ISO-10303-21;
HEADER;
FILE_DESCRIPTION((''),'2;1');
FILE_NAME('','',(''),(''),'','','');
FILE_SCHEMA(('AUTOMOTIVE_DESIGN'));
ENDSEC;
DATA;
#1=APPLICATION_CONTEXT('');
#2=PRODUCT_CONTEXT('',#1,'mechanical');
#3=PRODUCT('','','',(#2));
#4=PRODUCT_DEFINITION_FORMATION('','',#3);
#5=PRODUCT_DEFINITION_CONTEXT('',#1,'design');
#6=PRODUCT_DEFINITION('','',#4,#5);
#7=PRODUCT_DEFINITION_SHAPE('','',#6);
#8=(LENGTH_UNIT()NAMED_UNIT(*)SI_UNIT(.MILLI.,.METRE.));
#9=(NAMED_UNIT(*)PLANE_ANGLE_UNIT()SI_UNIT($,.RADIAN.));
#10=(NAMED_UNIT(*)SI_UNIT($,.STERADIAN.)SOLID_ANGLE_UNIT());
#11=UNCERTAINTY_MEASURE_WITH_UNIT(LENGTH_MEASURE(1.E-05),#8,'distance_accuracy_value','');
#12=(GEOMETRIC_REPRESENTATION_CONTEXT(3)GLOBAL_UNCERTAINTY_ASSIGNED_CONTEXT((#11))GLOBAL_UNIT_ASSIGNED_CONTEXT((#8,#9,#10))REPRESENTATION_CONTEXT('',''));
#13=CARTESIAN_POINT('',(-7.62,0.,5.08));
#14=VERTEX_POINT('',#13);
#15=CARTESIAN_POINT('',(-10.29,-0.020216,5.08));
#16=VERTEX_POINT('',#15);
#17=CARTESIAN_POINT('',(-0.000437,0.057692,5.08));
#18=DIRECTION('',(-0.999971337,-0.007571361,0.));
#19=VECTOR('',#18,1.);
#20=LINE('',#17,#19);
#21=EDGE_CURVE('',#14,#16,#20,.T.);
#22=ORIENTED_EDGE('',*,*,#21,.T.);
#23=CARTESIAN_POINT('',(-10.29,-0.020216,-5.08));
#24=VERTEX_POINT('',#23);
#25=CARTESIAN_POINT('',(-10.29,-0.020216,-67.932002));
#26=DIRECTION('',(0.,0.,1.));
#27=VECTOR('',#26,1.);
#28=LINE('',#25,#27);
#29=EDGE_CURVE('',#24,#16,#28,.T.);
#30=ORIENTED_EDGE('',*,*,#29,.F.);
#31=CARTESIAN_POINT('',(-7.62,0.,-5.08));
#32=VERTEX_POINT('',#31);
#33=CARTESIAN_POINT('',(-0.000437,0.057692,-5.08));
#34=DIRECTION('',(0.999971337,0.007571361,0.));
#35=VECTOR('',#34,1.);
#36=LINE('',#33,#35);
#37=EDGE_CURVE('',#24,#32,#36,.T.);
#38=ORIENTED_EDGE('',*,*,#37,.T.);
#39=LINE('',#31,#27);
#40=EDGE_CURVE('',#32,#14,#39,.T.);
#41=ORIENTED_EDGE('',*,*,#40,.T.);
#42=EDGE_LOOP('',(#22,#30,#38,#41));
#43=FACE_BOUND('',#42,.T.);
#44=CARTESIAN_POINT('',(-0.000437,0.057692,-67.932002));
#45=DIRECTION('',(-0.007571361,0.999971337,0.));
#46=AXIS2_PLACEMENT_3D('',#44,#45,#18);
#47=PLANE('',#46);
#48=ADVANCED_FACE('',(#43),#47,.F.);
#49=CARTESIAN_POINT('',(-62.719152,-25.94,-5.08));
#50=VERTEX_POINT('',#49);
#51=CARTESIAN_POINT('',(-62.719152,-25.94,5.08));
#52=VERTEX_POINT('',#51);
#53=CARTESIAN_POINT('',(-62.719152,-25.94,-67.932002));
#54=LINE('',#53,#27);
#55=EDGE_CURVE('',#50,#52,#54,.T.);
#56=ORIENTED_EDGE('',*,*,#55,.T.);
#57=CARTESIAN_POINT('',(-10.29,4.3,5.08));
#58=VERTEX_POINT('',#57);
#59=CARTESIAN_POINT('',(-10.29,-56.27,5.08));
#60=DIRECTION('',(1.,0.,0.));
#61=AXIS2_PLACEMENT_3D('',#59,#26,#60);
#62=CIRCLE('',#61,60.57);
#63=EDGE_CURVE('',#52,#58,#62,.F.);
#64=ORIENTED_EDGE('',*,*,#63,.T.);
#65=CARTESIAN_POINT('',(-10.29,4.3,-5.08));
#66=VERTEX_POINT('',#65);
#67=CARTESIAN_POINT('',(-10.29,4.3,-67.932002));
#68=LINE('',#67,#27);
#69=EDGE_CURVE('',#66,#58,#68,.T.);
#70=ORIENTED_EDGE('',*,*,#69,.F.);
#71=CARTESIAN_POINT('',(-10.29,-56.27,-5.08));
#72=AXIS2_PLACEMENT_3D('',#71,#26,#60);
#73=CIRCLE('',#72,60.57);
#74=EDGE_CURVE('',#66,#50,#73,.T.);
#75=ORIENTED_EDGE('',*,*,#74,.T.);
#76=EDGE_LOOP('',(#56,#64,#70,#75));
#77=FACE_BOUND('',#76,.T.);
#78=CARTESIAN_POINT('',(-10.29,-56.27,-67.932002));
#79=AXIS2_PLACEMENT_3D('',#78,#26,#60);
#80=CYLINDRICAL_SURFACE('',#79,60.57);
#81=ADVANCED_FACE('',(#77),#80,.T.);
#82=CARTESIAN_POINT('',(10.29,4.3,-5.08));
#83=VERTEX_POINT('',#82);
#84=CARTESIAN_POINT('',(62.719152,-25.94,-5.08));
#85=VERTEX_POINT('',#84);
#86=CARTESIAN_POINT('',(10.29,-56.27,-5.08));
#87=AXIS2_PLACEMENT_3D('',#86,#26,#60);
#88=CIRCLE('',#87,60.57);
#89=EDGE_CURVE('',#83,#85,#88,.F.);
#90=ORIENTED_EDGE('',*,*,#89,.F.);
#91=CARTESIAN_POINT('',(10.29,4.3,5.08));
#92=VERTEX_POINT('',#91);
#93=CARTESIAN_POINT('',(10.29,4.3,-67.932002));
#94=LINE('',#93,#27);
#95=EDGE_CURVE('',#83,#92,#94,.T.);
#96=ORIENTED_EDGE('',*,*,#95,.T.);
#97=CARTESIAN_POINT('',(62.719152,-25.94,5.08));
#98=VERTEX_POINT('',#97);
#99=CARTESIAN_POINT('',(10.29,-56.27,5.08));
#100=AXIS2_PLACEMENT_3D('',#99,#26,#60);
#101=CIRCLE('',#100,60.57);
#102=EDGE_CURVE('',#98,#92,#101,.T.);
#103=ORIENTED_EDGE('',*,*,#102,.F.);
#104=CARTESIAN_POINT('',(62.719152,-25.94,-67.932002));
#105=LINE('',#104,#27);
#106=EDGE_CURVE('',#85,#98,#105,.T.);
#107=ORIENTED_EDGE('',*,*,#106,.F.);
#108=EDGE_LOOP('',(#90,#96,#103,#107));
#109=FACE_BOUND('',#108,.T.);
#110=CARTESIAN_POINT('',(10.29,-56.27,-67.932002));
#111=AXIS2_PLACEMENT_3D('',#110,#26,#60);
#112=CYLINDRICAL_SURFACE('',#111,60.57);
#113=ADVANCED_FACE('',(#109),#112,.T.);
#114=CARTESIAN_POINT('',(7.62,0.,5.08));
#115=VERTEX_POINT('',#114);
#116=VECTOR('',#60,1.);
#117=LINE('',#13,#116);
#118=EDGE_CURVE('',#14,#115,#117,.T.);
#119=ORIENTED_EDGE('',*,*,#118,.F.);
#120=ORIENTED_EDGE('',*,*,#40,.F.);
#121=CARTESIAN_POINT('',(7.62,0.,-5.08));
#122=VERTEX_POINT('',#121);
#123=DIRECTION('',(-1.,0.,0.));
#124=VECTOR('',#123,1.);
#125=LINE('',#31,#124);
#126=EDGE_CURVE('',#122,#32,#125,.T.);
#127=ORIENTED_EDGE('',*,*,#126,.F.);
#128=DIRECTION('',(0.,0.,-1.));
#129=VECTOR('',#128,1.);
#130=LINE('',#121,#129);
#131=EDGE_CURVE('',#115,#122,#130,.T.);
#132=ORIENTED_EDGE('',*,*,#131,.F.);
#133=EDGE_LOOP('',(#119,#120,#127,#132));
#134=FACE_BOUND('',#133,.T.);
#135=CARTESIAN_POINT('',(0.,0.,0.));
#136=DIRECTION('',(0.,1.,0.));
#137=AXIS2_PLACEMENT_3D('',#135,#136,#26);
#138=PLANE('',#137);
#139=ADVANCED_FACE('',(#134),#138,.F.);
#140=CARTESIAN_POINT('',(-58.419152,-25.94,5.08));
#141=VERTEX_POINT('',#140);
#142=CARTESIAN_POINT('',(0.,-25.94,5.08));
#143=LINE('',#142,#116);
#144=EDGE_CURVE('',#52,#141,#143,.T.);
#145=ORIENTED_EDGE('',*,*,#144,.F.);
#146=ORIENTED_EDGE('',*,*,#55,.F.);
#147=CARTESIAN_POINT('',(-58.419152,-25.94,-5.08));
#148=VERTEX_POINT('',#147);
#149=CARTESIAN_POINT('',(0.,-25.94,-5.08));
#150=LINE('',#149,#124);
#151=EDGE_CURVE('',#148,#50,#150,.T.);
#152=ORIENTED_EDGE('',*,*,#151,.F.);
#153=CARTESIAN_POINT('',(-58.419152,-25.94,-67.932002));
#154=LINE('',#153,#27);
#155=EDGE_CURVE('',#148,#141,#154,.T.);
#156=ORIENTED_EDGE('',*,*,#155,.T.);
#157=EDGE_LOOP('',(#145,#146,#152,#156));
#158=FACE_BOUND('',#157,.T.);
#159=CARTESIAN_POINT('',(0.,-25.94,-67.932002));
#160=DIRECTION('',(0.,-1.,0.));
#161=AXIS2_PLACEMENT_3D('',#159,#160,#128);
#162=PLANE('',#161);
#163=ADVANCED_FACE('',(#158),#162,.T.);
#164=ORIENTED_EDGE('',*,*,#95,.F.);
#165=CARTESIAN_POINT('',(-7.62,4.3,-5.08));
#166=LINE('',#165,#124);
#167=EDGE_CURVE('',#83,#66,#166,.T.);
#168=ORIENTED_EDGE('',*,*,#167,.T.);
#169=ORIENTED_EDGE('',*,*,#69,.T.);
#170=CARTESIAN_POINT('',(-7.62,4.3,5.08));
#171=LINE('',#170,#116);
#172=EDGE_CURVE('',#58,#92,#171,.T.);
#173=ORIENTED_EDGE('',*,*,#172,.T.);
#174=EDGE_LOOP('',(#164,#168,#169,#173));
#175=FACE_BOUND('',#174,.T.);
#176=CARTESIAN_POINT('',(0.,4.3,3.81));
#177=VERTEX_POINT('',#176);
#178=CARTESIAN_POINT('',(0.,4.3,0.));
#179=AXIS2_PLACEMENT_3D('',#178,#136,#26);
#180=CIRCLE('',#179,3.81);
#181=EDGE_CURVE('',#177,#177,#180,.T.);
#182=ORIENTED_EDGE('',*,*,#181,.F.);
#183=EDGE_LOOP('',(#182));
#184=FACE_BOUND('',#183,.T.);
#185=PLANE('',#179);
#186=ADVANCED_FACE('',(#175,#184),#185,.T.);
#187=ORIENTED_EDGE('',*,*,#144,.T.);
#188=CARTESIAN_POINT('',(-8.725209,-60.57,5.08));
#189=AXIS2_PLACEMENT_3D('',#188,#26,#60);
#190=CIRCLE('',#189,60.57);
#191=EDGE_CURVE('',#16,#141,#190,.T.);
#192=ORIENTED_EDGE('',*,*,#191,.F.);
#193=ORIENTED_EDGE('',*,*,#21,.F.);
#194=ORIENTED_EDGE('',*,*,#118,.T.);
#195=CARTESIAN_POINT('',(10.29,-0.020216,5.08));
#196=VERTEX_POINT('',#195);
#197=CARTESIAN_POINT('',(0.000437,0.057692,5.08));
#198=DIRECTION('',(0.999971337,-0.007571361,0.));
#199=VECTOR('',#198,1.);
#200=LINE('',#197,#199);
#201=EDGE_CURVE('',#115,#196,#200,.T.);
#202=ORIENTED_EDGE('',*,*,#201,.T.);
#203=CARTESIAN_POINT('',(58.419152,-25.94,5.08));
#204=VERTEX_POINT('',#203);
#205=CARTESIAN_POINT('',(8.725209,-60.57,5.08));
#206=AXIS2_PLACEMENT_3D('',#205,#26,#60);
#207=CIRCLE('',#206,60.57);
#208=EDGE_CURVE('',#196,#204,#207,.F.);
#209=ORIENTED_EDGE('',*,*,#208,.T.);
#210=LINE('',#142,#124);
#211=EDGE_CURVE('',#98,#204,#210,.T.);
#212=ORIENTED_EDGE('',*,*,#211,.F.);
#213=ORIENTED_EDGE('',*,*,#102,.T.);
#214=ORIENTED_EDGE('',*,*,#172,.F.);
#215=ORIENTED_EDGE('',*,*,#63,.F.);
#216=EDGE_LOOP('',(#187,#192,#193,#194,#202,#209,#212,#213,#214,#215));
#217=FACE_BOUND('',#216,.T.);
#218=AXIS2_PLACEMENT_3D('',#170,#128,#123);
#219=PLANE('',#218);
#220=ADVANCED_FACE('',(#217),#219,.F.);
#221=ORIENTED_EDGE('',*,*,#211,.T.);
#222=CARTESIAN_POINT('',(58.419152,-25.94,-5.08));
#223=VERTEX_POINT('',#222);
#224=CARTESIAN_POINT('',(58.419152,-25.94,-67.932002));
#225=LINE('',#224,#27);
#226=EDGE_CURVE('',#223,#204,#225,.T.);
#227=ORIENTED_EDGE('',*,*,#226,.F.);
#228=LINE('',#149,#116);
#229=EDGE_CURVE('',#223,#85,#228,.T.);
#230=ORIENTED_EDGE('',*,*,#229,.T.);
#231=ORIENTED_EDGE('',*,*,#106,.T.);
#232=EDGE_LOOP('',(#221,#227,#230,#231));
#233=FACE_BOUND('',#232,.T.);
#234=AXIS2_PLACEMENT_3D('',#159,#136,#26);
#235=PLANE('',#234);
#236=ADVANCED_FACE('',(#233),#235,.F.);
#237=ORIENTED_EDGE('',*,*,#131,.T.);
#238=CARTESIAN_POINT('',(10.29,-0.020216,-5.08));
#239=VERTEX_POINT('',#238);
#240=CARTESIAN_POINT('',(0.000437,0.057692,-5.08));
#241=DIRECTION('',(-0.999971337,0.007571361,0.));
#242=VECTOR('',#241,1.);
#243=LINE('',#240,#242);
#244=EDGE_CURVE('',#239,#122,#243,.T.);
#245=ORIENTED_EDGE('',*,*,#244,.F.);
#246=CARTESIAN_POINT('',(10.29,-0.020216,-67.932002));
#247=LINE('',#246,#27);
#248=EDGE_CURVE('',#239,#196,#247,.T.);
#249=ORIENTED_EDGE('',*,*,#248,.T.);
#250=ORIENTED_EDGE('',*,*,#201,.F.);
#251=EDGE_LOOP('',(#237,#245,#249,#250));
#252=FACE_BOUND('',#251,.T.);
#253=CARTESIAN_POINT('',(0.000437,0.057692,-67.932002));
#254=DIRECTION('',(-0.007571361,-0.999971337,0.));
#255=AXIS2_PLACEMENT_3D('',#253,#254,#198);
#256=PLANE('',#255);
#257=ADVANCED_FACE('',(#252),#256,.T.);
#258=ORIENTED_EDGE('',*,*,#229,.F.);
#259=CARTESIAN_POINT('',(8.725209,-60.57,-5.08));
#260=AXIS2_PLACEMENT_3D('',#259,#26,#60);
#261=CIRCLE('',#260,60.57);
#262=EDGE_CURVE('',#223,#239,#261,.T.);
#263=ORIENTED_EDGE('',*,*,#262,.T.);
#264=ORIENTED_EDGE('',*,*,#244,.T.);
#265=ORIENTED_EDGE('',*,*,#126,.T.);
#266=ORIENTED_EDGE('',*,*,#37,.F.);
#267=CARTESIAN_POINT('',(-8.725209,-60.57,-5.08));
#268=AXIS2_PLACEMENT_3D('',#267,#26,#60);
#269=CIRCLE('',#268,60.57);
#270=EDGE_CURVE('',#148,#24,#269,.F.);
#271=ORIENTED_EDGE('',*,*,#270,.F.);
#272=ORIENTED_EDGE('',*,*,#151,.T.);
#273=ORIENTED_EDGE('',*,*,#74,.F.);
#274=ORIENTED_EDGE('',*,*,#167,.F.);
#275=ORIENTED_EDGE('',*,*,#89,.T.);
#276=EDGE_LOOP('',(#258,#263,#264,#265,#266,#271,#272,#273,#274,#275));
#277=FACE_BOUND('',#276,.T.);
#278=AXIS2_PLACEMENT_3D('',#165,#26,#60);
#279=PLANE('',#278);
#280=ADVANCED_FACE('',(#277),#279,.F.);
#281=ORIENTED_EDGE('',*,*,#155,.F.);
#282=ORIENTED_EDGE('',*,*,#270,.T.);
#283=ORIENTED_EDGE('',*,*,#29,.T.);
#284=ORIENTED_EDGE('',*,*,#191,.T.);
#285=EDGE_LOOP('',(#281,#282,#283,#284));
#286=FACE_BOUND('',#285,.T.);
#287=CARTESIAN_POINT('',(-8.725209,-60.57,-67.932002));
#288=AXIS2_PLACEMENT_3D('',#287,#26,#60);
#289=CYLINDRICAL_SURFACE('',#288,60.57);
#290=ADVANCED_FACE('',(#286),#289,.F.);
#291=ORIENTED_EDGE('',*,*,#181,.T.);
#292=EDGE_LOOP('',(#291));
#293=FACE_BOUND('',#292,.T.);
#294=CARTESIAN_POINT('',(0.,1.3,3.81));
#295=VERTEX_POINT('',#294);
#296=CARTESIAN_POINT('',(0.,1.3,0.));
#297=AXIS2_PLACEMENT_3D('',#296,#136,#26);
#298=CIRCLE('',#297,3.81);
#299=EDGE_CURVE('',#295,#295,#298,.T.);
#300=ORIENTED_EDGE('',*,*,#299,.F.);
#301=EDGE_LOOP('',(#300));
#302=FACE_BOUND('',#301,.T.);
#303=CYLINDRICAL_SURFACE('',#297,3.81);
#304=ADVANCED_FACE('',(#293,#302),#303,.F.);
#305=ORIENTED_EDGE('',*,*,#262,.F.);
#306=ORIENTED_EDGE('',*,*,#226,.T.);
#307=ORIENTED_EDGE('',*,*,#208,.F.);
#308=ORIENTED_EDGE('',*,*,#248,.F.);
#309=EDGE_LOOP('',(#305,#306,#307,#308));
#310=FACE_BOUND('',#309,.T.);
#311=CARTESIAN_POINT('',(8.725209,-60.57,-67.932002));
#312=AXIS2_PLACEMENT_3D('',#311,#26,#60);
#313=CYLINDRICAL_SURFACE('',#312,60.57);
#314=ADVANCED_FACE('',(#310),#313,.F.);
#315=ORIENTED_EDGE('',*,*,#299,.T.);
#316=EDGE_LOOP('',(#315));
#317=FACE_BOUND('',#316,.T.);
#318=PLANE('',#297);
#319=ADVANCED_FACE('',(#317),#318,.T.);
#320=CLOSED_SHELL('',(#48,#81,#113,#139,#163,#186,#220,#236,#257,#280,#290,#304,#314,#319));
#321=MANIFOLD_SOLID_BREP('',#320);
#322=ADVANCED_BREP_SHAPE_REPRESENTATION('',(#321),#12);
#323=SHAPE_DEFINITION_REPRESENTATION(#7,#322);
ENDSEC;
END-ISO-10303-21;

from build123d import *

# Parameters (mm, degrees)
SKETCH1_W           = 15.24
SKETCH1_H           = 10.16
BOSS_EXTRUDE1_DEPTH = 4.3
BOSS_EXTRUDE2_DEPTH = 10.16
SKETCH3_R           = 3.81
CUT_EXTRUDE1_DEPTH  = 3


with BuildPart() as part:
    # Sketch1 → Boss-Extrude1 (new body)
    with BuildSketch(Plane(origin=(0, 0, 0), x_dir=(1, 0, 0), z_dir=(0, 1, 0))):
        Rectangle(SKETCH1_W, SKETCH1_H)
    extrude(amount=BOSS_EXTRUDE1_DEPTH)

    # Sketch2 → Boss-Extrude2 (add)
    with BuildSketch(Plane.XY.offset(5.08)):
        with BuildLine():
            Line((7.62, 4.3), (7.62, 0))
            Line((7.62, 0), (10.29, -0.020216112))
            ThreePointArc((10.29, -0.020216112), (37.444945357, -7.24175572), (58.419152196, -25.94))
            Line((58.419152196, -25.94), (62.719152196, -25.94))
            ThreePointArc((62.719152196, -25.94), (40.552491636, -3.80185252), (10.29, 4.3))
            Line((10.29, 4.3), (7.62, 4.3))
        make_face()
        with BuildLine():
            ThreePointArc((-10.29, 4.3), (-40.552491636, -3.80185252), (-62.719152196, -25.94))
            Line((-62.719152196, -25.94), (-58.419152196, -25.94))
            ThreePointArc((-58.419152196, -25.94), (-37.444945357, -7.24175572), (-10.29, -0.020216112))
            Line((-10.29, -0.020216112), (-7.62, 0))
            Line((-7.62, 0), (-7.62, 4.3))
            Line((-7.62, 4.3), (-10.29, 4.3))
        make_face()
    extrude(amount=-BOSS_EXTRUDE2_DEPTH)

    # Sketch3 → Cut-Extrude1 (cut)
    with BuildSketch(Plane(origin=(0, 4.3, 0), x_dir=(1, 0, 0), z_dir=(0, 1, 0))):
        Circle(SKETCH3_R)
    extrude(amount=-CUT_EXTRUDE1_DEPTH, mode=Mode.SUBTRACT)


solid = part.part
